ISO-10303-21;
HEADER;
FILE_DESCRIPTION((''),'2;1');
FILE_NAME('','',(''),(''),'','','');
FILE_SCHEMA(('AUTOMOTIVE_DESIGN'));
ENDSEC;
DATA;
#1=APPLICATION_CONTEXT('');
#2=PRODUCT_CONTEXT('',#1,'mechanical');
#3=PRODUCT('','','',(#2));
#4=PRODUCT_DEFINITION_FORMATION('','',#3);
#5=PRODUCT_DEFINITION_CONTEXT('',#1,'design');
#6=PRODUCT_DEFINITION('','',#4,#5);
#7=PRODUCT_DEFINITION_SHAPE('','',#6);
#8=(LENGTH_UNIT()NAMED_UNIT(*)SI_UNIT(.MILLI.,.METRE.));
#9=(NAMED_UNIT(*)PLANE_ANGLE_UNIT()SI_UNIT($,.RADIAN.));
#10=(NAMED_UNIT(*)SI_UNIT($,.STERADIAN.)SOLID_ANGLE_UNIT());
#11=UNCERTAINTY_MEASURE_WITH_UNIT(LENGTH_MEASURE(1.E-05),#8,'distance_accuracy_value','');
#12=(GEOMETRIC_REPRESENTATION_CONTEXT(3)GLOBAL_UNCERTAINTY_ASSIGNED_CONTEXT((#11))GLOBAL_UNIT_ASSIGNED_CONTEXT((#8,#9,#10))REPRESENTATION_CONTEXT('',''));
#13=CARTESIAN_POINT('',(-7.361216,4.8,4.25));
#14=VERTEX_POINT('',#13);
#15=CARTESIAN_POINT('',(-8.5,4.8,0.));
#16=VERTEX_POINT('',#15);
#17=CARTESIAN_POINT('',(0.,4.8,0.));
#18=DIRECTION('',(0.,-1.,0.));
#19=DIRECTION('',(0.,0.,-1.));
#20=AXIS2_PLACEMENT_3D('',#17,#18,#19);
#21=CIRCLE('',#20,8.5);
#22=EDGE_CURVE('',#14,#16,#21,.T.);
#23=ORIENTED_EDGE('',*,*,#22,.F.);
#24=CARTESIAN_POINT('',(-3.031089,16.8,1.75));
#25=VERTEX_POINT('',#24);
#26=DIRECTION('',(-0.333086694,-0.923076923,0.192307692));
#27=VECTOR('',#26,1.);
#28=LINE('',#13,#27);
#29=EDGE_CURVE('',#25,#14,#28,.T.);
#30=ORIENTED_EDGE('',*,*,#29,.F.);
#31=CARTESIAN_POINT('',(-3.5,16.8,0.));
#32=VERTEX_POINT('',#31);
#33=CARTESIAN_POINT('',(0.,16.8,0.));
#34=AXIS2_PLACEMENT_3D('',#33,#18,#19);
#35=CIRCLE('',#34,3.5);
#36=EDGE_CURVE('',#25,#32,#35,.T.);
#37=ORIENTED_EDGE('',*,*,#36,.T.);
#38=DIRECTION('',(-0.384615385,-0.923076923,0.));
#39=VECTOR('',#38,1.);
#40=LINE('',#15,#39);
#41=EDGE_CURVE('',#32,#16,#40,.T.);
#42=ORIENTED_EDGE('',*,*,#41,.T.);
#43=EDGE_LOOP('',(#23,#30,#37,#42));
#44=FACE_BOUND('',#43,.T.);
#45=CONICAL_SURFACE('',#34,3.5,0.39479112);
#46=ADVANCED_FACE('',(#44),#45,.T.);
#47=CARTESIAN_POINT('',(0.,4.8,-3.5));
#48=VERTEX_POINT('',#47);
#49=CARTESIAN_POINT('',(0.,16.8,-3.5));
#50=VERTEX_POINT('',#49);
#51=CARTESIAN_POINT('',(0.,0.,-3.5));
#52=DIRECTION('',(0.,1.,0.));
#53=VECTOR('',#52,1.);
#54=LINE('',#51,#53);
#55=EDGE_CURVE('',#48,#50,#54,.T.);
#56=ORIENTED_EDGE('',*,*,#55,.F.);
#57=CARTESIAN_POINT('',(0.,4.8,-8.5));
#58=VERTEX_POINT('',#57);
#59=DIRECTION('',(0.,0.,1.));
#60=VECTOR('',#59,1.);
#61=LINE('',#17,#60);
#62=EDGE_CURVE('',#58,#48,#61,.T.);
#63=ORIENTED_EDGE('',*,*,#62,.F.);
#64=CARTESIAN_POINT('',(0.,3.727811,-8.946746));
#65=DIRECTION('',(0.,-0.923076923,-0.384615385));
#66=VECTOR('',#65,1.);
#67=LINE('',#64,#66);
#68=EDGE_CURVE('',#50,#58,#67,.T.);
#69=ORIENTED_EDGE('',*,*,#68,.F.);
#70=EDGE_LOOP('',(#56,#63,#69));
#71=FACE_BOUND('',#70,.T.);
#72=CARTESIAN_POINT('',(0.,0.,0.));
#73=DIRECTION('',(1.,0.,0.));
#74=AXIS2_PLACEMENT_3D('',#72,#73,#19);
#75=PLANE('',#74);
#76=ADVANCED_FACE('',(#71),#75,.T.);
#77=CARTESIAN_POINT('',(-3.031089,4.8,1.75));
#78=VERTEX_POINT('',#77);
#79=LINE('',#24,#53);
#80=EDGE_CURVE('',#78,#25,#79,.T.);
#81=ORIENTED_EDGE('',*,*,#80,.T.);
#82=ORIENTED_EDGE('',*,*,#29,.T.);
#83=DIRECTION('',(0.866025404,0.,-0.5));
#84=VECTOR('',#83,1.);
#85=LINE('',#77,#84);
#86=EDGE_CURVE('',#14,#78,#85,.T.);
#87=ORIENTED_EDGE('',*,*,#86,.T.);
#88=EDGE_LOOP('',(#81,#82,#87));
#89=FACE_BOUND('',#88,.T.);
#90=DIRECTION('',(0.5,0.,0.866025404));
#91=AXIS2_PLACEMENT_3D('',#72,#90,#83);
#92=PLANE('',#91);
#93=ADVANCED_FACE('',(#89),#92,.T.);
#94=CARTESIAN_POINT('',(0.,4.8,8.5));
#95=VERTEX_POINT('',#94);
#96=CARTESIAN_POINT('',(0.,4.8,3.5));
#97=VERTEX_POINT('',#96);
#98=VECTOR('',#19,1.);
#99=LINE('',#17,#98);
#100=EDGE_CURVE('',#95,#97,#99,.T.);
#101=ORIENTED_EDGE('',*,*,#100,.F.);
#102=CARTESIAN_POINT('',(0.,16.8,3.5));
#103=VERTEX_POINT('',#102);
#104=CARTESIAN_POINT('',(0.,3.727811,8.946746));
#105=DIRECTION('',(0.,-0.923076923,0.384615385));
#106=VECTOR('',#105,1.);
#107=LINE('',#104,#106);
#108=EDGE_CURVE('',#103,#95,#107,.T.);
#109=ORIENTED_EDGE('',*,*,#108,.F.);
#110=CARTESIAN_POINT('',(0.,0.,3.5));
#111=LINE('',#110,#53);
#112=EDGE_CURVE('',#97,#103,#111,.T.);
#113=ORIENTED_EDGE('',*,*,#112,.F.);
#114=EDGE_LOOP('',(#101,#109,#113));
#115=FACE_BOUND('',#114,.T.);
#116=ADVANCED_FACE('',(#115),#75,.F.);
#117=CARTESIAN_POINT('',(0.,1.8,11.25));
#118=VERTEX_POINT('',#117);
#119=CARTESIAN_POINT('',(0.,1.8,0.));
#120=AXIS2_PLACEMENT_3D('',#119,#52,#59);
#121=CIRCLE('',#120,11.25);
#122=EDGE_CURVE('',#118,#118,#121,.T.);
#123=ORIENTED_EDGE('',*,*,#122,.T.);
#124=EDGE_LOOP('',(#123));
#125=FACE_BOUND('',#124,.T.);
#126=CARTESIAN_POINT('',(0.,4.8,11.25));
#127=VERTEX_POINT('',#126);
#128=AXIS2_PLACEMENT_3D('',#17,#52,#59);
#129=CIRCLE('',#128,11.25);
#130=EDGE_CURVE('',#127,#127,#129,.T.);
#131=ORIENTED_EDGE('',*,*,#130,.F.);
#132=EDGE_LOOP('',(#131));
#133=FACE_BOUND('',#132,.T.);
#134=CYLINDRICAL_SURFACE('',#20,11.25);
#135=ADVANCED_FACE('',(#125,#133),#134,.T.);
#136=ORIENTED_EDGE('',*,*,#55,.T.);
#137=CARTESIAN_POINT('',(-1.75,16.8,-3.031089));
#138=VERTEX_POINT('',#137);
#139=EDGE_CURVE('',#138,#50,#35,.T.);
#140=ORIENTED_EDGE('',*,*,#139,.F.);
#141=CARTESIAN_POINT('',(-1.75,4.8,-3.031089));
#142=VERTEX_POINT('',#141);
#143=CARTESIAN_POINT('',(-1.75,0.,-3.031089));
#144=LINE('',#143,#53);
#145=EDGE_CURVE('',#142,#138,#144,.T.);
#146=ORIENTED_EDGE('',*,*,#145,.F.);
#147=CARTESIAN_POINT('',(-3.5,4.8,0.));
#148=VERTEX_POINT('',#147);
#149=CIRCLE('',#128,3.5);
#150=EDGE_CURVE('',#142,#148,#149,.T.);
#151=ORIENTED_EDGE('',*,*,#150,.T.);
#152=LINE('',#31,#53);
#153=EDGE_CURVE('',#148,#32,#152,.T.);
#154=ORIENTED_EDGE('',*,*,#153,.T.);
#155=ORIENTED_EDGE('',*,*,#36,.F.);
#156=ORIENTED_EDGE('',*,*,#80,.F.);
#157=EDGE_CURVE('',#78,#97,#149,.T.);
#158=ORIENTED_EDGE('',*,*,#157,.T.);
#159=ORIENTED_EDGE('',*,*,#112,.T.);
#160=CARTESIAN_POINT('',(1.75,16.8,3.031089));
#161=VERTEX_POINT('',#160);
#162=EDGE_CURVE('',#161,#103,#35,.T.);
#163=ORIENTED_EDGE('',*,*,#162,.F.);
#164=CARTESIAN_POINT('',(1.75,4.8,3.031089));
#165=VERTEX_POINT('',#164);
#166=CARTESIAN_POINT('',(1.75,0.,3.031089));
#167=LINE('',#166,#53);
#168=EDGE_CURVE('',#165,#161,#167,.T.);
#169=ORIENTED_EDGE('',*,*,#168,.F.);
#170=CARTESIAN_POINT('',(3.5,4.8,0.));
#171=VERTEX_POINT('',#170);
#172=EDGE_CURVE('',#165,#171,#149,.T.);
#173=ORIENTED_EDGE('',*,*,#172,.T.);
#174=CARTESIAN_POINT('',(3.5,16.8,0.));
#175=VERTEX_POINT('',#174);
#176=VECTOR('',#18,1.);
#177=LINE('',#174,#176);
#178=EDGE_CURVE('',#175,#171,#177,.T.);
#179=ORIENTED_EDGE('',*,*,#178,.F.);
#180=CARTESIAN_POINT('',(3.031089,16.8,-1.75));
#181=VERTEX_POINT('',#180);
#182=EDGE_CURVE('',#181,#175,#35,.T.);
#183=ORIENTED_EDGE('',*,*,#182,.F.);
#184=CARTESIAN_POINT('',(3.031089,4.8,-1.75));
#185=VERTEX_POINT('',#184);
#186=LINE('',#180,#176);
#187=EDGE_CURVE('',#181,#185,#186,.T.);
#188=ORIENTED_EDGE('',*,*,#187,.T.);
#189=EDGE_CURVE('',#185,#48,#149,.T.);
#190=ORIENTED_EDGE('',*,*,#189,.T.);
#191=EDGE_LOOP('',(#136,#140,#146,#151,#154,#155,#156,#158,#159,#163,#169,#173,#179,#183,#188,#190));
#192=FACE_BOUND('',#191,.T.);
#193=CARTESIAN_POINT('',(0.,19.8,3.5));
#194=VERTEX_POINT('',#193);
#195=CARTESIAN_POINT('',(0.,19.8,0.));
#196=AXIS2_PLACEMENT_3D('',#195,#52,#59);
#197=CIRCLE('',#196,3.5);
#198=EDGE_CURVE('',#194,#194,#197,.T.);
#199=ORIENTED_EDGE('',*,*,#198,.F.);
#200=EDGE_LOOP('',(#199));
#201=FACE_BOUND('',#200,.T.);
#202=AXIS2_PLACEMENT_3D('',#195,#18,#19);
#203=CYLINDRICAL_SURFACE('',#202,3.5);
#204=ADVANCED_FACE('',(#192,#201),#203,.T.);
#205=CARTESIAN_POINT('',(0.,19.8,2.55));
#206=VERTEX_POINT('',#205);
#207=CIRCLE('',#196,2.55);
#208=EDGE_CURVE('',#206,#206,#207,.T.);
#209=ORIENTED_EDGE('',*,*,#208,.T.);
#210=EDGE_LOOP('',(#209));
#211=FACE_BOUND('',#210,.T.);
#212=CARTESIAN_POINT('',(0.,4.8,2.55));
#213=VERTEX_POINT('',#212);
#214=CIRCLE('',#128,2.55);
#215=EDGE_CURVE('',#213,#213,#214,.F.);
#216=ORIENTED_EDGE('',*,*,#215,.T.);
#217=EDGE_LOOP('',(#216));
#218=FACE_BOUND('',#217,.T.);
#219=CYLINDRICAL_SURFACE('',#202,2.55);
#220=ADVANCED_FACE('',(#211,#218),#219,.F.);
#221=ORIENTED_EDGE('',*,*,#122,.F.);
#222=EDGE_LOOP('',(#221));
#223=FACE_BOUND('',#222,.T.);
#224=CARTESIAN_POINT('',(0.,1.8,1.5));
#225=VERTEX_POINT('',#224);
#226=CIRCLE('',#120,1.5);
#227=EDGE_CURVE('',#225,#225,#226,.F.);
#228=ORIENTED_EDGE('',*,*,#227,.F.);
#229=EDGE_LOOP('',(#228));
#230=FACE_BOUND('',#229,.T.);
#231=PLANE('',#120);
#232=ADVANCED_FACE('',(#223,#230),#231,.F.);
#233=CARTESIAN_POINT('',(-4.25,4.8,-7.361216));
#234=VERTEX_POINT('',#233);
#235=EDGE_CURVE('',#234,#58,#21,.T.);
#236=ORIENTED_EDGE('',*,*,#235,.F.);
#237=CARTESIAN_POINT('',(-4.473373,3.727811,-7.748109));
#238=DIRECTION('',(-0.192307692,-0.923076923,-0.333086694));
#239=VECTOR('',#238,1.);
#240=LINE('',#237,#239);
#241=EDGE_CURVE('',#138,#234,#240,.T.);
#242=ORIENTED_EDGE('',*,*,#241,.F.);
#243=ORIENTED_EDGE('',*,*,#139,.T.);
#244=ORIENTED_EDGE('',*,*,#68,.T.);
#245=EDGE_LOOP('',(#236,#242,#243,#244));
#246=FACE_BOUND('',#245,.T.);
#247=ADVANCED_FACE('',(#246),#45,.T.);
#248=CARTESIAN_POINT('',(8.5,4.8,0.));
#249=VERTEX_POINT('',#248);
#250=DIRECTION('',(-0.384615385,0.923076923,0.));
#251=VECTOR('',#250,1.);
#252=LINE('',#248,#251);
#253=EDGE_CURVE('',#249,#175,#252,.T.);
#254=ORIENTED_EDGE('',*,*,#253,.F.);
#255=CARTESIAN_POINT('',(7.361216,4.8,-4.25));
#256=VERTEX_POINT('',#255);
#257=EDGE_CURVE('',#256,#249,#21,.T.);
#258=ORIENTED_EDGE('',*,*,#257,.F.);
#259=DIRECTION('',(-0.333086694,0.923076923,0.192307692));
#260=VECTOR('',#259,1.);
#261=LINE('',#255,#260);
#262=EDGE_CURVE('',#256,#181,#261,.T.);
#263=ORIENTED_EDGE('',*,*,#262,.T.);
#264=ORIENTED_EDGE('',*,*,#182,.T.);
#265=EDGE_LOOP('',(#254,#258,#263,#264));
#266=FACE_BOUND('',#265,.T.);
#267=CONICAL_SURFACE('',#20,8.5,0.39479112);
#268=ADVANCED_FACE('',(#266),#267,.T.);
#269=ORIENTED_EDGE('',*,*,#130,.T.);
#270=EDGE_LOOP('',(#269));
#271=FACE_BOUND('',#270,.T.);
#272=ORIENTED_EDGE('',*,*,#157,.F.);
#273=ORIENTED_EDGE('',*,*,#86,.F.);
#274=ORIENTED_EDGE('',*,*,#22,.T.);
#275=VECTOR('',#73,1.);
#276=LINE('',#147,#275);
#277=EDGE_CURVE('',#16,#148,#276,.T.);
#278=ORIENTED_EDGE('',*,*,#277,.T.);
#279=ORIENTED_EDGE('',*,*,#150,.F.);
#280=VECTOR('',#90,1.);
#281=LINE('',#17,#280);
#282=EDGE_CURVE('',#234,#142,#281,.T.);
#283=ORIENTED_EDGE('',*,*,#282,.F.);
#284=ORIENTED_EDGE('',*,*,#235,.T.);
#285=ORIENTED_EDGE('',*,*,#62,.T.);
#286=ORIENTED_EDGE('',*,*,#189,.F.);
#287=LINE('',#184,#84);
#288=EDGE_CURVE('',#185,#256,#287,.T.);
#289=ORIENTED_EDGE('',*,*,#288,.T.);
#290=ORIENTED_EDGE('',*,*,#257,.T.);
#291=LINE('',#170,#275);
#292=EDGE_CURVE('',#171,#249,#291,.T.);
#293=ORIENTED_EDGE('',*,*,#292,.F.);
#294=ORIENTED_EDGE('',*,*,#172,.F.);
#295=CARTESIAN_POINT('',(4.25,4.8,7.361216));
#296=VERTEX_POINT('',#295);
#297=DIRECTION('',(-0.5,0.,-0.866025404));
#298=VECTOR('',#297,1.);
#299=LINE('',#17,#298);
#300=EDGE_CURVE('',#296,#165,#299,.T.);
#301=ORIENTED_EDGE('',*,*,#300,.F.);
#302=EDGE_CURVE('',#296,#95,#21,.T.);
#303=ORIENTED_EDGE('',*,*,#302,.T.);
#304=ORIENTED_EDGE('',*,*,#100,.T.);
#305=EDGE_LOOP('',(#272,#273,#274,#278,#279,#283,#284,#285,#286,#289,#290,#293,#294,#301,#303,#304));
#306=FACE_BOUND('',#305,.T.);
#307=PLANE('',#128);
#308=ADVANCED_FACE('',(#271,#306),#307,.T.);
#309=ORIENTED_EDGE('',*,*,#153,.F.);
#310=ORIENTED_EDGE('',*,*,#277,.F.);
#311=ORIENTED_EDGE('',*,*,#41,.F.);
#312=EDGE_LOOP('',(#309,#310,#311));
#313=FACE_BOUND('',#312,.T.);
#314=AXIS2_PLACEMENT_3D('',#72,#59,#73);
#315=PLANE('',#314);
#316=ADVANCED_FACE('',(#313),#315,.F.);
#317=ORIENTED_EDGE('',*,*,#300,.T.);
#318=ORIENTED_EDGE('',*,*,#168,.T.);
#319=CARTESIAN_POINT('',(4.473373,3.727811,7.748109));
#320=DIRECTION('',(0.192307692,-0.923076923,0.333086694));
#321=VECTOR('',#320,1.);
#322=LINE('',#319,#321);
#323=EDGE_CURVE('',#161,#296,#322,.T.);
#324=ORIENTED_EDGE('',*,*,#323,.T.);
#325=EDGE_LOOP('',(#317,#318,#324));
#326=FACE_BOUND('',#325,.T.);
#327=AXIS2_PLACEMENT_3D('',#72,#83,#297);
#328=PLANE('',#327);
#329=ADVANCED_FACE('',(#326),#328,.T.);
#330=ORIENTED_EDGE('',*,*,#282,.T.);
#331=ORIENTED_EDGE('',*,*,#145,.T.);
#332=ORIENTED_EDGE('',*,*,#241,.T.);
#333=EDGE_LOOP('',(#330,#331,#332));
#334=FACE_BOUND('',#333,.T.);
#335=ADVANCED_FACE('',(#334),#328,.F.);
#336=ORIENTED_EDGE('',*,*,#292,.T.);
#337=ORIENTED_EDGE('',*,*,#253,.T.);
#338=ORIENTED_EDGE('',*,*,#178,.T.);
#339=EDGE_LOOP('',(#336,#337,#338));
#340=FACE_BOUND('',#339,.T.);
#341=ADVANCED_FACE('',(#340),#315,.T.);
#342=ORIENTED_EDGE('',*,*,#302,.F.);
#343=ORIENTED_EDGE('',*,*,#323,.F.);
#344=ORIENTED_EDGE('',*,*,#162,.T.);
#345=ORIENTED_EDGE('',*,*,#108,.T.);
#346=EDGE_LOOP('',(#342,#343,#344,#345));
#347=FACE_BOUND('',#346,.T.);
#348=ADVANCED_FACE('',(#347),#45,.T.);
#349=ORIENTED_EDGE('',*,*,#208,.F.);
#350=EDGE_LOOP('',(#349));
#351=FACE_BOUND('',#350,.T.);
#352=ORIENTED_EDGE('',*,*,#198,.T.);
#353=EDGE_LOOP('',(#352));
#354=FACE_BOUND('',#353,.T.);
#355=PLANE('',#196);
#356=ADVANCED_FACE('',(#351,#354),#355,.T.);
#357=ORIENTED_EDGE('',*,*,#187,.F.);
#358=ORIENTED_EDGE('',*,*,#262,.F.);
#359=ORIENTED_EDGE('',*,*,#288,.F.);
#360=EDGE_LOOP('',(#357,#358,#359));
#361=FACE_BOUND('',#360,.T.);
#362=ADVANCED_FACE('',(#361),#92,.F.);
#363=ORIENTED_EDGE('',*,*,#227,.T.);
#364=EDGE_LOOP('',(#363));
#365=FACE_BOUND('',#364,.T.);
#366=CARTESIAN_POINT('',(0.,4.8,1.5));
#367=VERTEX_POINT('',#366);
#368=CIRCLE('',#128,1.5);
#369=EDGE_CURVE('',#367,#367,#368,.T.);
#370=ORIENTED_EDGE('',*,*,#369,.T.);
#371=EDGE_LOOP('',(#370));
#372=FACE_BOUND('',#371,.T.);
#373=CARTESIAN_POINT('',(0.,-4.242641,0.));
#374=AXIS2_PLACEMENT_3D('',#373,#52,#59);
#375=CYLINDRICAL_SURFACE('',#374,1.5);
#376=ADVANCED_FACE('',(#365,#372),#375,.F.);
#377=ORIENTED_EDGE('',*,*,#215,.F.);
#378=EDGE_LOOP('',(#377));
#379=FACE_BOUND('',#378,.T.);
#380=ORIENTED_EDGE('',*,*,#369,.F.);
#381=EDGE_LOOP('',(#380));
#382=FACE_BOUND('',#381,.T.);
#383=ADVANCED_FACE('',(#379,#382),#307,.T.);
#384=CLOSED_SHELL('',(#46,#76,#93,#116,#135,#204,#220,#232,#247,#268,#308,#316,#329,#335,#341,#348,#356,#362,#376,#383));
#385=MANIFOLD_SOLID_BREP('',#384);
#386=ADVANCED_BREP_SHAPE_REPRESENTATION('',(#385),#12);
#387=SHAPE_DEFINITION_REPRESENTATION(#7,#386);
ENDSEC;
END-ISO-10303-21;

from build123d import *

# Parameters (mm, degrees)
SKETCH_1_R          = 10.4
EXTRUDE_1_DEPTH     = 1.8
SKETCH_2_R          = 11.25
EXTRUDE_2_DEPTH     = 3
SKETCH_3_R          = 3.5
SKETCH_3_R_2        = 2.55
EXTRUDE_3_DEPTH     = 15
SKETCH_3_4_R        = 1.5
CUT_EXTRUDE_2_DEPTH = 4.8
REVOLVE_3_ANGLE     = 30
REVOLVE_4_ANGLE     = 30
EXTRUDE_4_DEPTH     = 2
SKETCH_14_W         = 11.25
SKETCH_14_H         = 3.8


with BuildPart() as part:
    # 草图1 → 凸台-拉伸1 (new body)
    with BuildSketch(Plane(origin=(0, 0, 0), x_dir=(1, 0, 0), z_dir=(0, 1, 0))):
        with Locations(Location((0, 0, 0), (0, 0, 270))):
            Circle(SKETCH_1_R)
    extrude(amount=EXTRUDE_1_DEPTH)

    # 草图2 → 凸台-拉伸2 (add)
    with BuildSketch(Plane(origin=(0, 1.8, 0), x_dir=(1, 0, 0), z_dir=(0, 1, 0))):
        with Locations(Location((0, 0, 0), (0, 0, 270))):
            Circle(SKETCH_2_R)
    extrude(amount=EXTRUDE_2_DEPTH)

    # 草图3 → 凸台-拉伸3 (add)
    with BuildSketch(Plane(origin=(0, 4.8, 0), x_dir=(1, 0, 0), z_dir=(0, 1, 0))):
        with Locations(Location((0, 0, 0), (0, 0, 270))):
            Circle(SKETCH_3_R)
        with Locations(Location((0, 0, 0), (0, 0, 270))):
            Circle(SKETCH_3_R_2, mode=Mode.SUBTRACT)
    extrude(amount=EXTRUDE_3_DEPTH)

    # 草图3<4> → 切除-拉伸2 (cut)
    with BuildSketch(Plane(origin=(0, 4.8, 0), x_dir=(1, 0, 0), z_dir=(0, 1, 0))):
        with Locations(Location((0, 0, 0), (0, 0, 270))):
            Circle(SKETCH_3_4_R)
    extrude(amount=-CUT_EXTRUDE_2_DEPTH, mode=Mode.SUBTRACT)

    # 草图6 → 旋转3 (revolve)
    with BuildSketch(Plane(origin=(0, 0, 0), x_dir=(0, 0, -1), z_dir=(1, 0, 0))):
        Polygon((3.5, 4.8), (3.5, 16.8), (8.5, 4.8), align=None)
        Polygon((-8.5, 4.8), (-3.5, 4.8), (-3.5, 16.8), align=None)
    revolve(axis=Axis((0, 0, 0), (0, 1, 0)), revolution_arc=REVOLVE_3_ANGLE)

    # 草图9 → 旋转4 (revolve)
    with BuildSketch(Plane.XY):
        Polygon((3.5, 4.8), (8.5, 4.8), (3.5, 16.8), align=None)
        Polygon((-8.5, 4.8), (-3.5, 16.8), (-3.5, 4.8), align=None)
    revolve(axis=Axis((0, 0, 0), (0, 1, 0)), revolution_arc=REVOLVE_4_ANGLE)

    # 草图10 → 凸台-拉伸4 (add)
    with BuildSketch(Plane.XZ):
        with BuildLine():
            Line((9.961946981, -0.871557427), (10.858522209, -0.949997596))
            ThreePointArc((10.858522209, -0.949997596), (10.9, 0), (10.858522209, 0.949997596))
            Line((10.858522209, 0.949997596), (9.961946981, 0.871557427))
            ThreePointArc((9.961946981, 0.871557427), (9.84807753, 1.736481777), (9.659258263, 2.588190451))
            Line((9.659258263, 2.588190451), (8.693332437, 2.329371406))
            ThreePointArc((8.693332437, 2.329371406), (9, 0), (8.693332437, -2.329371406))
            Line((8.693332437, -2.329371406), (9.659258263, -2.588190451))
            ThreePointArc((9.659258263, -2.588190451), (9.84807753, -1.736481777), (9.961946981, -0.871557427))
        make_face()
        with BuildLine():
            Line((2.329371406, 8.693332437), (2.588190451, 9.659258263))
            ThreePointArc((2.588190451, 9.659258263), (1.736481777, 9.84807753), (0.871557427, 9.961946981))
            Line((0.871557427, 9.961946981), (0.949997596, 10.858522209))
            ThreePointArc((0.949997596, 10.858522209), (0, 10.9), (-0.949997596, 10.858522209))
            Line((-0.949997596, 10.858522209), (-0.871557427, 9.961946981))
            ThreePointArc((-0.871557427, 9.961946981), (-1.736481777, 9.84807753), (-2.588190451, 9.659258263))
            Line((-2.588190451, 9.659258263), (-2.329371406, 8.693332437))
            ThreePointArc((-2.329371406, 8.693332437), (0, 9), (2.329371406, 8.693332437))
        make_face()
        with BuildLine():
            Line((-2.329371406, -8.693332437), (-2.588190451, -9.659258263))
            ThreePointArc((-2.588190451, -9.659258263), (-1.736481777, -9.84807753), (-0.871557427, -9.961946981))
            Line((-0.871557427, -9.961946981), (-0.949997596, -10.858522209))
            ThreePointArc((-0.949997596, -10.858522209), (0, -10.9), (0.949997596, -10.858522209))
            Line((0.949997596, -10.858522209), (0.871557427, -9.961946981))
            ThreePointArc((0.871557427, -9.961946981), (1.736481777, -9.84807753), (2.588190451, -9.659258263))
            Line((2.588190451, -9.659258263), (2.329371406, -8.693332437))
            ThreePointArc((2.329371406, -8.693332437), (0, -9), (-2.329371406, -8.693332437))
        make_face()
        with BuildLine():
            Line((-8.693332437, 2.329371406), (-9.659258263, 2.588190451))
            ThreePointArc((-9.659258263, 2.588190451), (-9.84807753, 1.736481777), (-9.961946981, 0.871557427))
            Line((-9.961946981, 0.871557427), (-10.858522209, 0.949997596))
            ThreePointArc((-10.858522209, 0.949997596), (-10.9, 0), (-10.858522209, -0.949997596))
            Line((-10.858522209, -0.949997596), (-9.961946981, -0.871557427))
            ThreePointArc((-9.961946981, -0.871557427), (-9.84807753, -1.736481777), (-9.659258263, -2.588190451))
            Line((-9.659258263, -2.588190451), (-8.693332437, -2.329371406))
            ThreePointArc((-8.693332437, -2.329371406), (-9, 0), (-8.693332437, 2.329371406))
        make_face()
    extrude(amount=EXTRUDE_4_DEPTH)

    # 草图11 → 切除-旋转2 (revolve, cut)
    with BuildSketch(Plane.XY, mode=Mode.PRIVATE) as cut_revolve_2_sk:
        Polygon((9.961946981, -2), (10.9, -2), (10.9, 0), align=None)
    revolve(cut_revolve_2_sk.sketch.rotate(Axis((0, 0, 0), (0, -1, 0)), 275), axis=Axis((0, 0, 0), (0, -1, 0)), mode=Mode.SUBTRACT)

    # 草图14 → 切除-旋转3 (revolve, cut)
    with BuildSketch(Plane(origin=(0, 0, 0), x_dir=(0, 0, -1), z_dir=(1, 0, 0))):
        with Locations((-5.625, -0.1)):
            Rectangle(SKETCH_14_W, SKETCH_14_H)
    revolve(axis=Axis((0, 1.8, 0), (0, -1, 0)), mode=Mode.SUBTRACT)


solid = part.part
